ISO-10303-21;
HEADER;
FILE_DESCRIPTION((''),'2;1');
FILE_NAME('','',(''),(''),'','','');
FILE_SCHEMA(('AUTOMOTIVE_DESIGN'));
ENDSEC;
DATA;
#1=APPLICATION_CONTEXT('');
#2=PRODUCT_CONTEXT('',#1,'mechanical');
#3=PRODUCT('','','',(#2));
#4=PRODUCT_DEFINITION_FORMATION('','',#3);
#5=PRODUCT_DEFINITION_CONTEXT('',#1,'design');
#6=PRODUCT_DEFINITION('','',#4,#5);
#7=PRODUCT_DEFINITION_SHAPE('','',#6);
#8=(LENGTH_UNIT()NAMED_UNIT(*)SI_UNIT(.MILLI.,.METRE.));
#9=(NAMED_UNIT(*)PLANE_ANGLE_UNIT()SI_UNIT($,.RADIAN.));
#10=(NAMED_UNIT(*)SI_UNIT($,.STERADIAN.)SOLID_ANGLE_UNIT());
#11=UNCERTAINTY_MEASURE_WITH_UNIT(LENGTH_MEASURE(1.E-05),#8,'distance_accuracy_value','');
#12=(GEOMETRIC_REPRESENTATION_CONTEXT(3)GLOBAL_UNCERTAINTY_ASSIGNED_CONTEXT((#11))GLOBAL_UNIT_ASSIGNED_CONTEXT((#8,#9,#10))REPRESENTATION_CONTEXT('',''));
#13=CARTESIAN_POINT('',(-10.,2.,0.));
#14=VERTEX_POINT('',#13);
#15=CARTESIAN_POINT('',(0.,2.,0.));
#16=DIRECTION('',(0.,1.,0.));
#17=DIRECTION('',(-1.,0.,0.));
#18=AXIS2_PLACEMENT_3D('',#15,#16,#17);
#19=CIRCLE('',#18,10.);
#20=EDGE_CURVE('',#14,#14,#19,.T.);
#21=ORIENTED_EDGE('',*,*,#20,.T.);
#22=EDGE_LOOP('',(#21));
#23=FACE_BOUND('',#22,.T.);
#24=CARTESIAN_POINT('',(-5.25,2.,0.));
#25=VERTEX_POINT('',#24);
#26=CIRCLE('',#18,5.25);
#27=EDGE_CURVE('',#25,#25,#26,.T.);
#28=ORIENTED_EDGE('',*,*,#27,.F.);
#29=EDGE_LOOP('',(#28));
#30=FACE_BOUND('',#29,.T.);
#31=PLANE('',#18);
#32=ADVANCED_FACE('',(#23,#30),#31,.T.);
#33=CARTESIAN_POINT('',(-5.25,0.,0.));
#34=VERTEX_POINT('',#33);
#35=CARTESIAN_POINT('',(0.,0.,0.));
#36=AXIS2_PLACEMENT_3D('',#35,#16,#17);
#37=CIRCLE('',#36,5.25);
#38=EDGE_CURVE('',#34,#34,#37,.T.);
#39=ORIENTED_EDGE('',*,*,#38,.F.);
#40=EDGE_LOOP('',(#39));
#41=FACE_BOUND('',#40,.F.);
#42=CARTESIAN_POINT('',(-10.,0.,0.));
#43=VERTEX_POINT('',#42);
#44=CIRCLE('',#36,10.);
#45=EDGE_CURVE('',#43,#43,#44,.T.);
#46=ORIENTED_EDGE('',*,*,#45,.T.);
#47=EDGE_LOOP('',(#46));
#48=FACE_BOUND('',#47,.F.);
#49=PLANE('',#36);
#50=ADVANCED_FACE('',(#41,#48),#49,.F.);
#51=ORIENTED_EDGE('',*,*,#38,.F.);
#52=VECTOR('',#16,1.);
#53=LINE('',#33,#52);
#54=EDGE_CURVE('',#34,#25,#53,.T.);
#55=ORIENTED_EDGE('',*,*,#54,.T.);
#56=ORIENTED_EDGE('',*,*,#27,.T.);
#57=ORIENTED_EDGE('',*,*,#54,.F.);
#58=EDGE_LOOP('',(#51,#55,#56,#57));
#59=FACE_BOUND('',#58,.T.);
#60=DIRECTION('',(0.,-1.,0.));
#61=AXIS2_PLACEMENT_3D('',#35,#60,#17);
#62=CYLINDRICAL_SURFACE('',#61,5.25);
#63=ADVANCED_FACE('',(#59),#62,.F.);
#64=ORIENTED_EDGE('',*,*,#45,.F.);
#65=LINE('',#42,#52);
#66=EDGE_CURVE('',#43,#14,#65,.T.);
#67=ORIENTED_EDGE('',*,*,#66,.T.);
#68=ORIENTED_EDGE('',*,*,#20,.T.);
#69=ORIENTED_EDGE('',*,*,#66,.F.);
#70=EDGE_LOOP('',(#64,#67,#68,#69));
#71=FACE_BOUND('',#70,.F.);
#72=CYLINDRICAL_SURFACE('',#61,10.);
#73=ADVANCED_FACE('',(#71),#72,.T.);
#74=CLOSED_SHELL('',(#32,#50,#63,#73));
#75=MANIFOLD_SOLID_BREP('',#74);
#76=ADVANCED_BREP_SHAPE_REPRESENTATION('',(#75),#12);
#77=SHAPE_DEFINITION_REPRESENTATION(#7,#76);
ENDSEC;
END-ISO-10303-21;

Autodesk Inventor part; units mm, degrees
ref_plane "YZ Plane" through (0, 0, 0) normal (1, 0, 0) x (0, 1, 0)
ref_plane "XZ Plane" through (0, 0, 0) normal (0, 1, 0) x (-1, 0, 0)
ref_plane "XY Plane" through (0, 0, 0) normal (0, 0, 1) x (1, 0, 0)
sketch "Sketch1" plane through (0, 0, 0) normal (0, 1, 0) x (-1, 0, 0)
  circle A0 centre (0, 0) radius 5.25
  circle A1 centre (0, 0) radius 10
  dimension "d0" = 10.5
  dimension "d1" = 20
extrude "Extrusion1" add sketch "Sketch1" along normal blind 2
properties part number "M10_Ring" material "Stainless Steel"
